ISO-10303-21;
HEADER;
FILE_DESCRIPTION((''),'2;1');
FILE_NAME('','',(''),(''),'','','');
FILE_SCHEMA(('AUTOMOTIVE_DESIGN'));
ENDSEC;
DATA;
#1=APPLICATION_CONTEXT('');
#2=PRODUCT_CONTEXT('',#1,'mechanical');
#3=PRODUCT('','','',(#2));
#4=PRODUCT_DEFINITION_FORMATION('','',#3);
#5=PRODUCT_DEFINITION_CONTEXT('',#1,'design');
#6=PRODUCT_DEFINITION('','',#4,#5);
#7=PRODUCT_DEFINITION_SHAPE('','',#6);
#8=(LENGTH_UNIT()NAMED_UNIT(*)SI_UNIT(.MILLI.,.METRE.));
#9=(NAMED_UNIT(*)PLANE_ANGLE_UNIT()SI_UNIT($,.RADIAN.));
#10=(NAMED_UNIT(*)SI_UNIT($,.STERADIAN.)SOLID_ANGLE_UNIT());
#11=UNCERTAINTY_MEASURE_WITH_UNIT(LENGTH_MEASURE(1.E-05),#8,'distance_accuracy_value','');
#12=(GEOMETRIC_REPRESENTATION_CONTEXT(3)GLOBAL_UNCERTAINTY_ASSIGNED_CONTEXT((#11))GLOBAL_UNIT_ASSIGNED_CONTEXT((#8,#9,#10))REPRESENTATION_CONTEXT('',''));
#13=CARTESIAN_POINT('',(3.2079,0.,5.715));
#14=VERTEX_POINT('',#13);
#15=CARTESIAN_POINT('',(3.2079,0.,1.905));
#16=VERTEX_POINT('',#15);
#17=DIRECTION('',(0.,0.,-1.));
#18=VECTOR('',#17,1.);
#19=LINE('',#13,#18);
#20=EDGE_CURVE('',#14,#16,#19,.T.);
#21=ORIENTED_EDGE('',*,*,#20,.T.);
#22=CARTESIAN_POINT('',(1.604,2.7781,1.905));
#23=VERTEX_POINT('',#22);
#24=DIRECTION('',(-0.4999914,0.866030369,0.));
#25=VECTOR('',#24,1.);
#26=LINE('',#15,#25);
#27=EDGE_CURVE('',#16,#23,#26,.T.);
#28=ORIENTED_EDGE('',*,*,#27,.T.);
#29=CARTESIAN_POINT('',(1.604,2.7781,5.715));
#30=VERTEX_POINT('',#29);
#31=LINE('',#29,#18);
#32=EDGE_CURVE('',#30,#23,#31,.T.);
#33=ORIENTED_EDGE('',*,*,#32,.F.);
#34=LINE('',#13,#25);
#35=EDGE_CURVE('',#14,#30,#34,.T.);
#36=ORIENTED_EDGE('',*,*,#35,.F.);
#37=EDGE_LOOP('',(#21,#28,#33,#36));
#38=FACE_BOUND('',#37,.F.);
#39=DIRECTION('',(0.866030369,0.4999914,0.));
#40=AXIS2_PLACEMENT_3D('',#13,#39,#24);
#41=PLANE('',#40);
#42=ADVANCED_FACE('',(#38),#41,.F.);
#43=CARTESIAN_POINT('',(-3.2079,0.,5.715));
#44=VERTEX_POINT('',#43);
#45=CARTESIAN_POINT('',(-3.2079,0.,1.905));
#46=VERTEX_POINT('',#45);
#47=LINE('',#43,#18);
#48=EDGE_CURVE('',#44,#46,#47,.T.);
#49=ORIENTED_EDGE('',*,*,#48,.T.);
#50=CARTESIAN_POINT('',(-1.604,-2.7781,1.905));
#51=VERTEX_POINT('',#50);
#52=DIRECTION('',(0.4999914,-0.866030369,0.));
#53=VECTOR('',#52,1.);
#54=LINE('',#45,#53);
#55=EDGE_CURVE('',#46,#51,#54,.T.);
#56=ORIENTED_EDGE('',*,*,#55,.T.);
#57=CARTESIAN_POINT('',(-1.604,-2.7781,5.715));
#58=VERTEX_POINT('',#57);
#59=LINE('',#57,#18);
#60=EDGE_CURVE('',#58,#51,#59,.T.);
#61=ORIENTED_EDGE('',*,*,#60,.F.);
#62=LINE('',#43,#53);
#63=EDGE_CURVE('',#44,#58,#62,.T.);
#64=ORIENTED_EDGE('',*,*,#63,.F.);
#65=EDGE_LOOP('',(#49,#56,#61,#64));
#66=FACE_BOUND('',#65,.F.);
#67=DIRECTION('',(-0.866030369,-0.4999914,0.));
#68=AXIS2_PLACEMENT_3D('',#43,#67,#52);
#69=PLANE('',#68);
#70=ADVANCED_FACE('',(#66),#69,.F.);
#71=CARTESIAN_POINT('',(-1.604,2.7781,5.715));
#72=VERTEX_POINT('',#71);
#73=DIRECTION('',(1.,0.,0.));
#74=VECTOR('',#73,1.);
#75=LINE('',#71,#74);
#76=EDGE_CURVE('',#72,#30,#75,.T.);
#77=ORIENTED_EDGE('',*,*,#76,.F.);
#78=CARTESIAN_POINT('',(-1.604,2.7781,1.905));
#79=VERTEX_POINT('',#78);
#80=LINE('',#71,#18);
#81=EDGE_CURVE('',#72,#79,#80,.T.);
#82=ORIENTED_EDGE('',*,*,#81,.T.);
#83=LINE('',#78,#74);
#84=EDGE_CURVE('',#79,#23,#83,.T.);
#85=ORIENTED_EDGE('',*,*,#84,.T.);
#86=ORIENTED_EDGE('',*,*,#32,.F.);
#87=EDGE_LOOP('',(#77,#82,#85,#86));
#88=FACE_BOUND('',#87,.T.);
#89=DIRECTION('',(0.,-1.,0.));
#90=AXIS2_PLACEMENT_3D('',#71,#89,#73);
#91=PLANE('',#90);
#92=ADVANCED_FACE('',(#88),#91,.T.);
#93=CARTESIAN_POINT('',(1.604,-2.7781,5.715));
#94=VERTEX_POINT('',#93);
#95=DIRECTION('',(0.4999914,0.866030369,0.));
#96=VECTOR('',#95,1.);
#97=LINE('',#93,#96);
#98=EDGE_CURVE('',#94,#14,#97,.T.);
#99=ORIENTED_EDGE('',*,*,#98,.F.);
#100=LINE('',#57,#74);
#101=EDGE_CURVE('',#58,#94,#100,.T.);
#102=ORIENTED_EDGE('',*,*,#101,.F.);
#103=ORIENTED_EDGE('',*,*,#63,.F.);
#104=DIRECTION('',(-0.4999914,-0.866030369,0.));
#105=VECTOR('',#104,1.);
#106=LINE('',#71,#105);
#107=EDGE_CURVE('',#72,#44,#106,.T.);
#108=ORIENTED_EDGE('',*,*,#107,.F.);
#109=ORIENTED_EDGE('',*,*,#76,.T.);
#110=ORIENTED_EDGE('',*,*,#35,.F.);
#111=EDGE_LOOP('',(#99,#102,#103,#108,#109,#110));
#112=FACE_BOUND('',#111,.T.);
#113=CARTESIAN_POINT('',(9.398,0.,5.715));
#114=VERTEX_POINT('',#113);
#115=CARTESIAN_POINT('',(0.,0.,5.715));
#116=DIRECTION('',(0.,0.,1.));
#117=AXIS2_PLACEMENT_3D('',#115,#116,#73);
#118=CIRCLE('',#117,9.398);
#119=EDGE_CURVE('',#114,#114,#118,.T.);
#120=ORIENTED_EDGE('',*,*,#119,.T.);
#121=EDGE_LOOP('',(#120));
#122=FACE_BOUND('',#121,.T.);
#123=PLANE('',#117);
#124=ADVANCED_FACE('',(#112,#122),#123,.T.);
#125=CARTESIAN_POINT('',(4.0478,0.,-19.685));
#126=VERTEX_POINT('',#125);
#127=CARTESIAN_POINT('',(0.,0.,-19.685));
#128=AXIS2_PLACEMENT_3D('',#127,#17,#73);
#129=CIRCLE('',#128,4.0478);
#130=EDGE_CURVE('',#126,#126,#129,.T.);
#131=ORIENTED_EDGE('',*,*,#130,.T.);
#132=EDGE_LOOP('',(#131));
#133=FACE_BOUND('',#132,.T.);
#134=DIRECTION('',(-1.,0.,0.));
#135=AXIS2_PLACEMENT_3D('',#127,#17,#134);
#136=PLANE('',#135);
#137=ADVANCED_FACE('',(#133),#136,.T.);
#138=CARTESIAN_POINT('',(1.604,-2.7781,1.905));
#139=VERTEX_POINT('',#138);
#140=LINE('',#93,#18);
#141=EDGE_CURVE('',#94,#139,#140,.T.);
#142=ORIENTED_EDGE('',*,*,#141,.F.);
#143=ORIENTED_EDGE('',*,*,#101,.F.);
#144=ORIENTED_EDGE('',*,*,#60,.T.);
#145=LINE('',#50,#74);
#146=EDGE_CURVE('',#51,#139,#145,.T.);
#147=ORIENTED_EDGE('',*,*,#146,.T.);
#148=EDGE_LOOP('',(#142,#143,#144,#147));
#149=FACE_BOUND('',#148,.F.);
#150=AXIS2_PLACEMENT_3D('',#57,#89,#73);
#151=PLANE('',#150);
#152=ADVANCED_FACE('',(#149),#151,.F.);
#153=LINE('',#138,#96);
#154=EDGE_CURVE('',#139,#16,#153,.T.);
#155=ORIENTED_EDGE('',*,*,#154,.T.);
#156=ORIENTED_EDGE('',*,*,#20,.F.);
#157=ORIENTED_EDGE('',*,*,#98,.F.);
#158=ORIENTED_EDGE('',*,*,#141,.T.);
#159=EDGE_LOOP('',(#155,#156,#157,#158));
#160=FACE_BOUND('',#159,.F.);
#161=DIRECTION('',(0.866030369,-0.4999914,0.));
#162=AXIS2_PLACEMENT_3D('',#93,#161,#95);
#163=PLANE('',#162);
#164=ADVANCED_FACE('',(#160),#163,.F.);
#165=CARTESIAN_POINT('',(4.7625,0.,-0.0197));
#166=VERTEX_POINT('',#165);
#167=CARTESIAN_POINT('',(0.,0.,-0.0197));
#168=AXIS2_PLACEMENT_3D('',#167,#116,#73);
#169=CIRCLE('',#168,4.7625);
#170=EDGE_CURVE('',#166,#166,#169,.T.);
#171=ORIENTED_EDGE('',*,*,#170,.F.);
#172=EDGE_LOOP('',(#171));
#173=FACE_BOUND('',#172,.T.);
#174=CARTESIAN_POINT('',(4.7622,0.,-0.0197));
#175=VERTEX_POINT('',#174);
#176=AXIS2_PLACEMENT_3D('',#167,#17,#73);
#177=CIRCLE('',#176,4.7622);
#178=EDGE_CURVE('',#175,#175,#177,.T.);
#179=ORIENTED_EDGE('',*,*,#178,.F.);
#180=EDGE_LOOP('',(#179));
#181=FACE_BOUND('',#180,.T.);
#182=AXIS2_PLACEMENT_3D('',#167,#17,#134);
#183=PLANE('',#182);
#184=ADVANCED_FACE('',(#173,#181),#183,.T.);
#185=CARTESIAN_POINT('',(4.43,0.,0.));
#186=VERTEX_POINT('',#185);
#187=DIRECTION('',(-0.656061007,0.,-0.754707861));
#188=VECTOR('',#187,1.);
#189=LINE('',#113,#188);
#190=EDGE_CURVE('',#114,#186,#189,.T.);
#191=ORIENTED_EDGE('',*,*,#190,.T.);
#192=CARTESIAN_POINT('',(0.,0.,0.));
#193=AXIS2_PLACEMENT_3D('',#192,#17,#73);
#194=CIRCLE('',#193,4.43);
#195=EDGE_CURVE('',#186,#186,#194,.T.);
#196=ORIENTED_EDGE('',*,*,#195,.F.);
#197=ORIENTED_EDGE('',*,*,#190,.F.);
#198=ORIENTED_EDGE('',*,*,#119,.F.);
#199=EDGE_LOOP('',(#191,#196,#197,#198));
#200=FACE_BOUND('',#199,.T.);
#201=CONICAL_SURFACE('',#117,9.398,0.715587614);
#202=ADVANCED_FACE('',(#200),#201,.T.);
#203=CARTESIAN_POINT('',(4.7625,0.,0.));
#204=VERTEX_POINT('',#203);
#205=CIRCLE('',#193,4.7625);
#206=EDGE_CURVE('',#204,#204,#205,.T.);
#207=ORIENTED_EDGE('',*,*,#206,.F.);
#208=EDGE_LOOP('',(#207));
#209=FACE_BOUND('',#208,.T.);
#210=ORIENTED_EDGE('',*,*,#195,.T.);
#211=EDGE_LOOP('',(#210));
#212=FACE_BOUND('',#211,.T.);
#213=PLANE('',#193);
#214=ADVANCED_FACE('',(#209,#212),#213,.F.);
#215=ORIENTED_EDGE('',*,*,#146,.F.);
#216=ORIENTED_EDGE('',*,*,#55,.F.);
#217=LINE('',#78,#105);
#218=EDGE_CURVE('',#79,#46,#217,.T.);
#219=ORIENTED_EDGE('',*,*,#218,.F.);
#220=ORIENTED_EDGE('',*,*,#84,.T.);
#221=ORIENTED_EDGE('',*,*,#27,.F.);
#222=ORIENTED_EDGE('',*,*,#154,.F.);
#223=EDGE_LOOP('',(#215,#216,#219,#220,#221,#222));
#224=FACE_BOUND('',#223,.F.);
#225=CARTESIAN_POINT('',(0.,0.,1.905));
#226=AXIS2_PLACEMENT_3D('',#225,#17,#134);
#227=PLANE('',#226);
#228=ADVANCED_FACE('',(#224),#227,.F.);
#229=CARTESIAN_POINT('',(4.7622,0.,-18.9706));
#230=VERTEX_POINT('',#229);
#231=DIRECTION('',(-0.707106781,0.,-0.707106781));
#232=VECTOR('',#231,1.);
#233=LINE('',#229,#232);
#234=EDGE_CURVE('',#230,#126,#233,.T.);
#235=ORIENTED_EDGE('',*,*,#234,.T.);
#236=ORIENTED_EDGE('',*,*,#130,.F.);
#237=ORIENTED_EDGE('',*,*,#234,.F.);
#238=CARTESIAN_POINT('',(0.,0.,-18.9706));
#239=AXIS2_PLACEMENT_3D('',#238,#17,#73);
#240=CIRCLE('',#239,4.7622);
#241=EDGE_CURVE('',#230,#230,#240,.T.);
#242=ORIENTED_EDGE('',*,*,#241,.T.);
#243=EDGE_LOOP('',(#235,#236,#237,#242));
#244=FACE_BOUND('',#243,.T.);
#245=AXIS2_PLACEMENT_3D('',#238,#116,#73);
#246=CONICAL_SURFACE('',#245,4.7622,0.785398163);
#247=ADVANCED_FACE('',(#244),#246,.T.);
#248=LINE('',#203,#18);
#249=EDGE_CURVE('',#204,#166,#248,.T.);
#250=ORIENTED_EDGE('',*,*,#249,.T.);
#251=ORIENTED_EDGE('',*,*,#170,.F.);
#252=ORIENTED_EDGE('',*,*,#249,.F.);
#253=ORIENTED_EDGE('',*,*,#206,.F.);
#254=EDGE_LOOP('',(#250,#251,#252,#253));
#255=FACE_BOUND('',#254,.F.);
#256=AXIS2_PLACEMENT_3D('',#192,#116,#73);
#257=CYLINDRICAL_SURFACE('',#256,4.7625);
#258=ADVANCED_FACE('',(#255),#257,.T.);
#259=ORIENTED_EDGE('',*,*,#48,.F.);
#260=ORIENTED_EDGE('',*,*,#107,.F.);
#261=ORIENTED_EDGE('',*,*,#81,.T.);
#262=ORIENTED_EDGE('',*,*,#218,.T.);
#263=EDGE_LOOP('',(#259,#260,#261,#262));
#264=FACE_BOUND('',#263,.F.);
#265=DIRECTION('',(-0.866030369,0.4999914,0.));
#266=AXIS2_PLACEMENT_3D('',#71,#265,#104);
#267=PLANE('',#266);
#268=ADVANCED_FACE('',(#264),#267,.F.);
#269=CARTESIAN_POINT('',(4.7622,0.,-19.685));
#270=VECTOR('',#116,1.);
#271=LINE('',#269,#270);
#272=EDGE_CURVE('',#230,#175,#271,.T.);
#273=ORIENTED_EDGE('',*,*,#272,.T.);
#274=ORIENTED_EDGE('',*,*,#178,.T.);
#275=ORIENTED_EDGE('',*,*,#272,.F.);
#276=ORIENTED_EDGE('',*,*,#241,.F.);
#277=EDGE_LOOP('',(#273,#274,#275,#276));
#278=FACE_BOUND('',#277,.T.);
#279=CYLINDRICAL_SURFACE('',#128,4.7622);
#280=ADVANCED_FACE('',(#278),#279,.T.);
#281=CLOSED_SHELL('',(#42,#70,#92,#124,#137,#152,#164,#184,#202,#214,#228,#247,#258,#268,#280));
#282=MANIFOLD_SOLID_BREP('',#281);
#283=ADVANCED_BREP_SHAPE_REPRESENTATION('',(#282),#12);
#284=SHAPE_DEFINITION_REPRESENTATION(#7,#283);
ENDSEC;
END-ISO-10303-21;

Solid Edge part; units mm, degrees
sketch "Sketch1" plane through (0, 0, 0) normal (0, 0, 1) x (1, 0, 0)
  circle A0 centre (0, 0) radius 9.398
  dimension "D1" = 18.796
extrude "Protrusion1" add sketch "Sketch1" along normal blind 5.715
sketch "Sketch2" plane through (0, 0, 0) normal (0, 0, -1) x (1, 0, 0)
  circle A0 centre (0, 0) radius 4.7625
extrude "Protrusion2" add sketch "Sketch2" along normal blind 19.685
sketch "Sketch3" plane through (0, 0, -19.685) normal (0, 0, -1) x (1, 0, 0)
  circle A0 centre (0, 0) radius 4.7622
extrude "Cutout1" cut sketch "Sketch3" against normal blind 19.6653 flip side to cut
chamfer "Chamfer_1" distance 0.7144 angle 45 1 edges at (-4.7622, 0, -19.685)
sketch "Sketch4" plane through (0, 0, 5.715) normal (0, 0, 1) x (1, 0, 0)
  line L0 (-1.604, 2.7781) -> (1.604, 2.7781)
  line L1 (3.2079, 0) -> (1.604, 2.7781)
  line L2 (1.604, -2.7781) -> (3.2079, 0)
  line L3 (-1.604, -2.7781) -> (1.604, -2.7781)
  line L4 (-3.2079, 0) -> (-1.604, -2.7781)
  line L5 (-1.604, 2.7781) -> (-3.2079, 0)
  dimension "D1" = 5.5562
extrude "Cutout2" cut sketch "Sketch4" against normal blind 3.81
sketch "Sketch5" plane through (0, 0, 0) normal (0, -1, 0) x (1, 0, 0)
  line L0 (9.398, 5.715) -> (4.43, 0)
  line L1 (4.43, 0) -> (9.398, 0)
  line L2 (9.398, 0) -> (9.398, 5.715)
revolve "RevolvedCutout1" cut sketch "Sketch5" angle 360 about axis through (0, 0, 14.0017) along (0, 0, -1)
properties part number "185725"
